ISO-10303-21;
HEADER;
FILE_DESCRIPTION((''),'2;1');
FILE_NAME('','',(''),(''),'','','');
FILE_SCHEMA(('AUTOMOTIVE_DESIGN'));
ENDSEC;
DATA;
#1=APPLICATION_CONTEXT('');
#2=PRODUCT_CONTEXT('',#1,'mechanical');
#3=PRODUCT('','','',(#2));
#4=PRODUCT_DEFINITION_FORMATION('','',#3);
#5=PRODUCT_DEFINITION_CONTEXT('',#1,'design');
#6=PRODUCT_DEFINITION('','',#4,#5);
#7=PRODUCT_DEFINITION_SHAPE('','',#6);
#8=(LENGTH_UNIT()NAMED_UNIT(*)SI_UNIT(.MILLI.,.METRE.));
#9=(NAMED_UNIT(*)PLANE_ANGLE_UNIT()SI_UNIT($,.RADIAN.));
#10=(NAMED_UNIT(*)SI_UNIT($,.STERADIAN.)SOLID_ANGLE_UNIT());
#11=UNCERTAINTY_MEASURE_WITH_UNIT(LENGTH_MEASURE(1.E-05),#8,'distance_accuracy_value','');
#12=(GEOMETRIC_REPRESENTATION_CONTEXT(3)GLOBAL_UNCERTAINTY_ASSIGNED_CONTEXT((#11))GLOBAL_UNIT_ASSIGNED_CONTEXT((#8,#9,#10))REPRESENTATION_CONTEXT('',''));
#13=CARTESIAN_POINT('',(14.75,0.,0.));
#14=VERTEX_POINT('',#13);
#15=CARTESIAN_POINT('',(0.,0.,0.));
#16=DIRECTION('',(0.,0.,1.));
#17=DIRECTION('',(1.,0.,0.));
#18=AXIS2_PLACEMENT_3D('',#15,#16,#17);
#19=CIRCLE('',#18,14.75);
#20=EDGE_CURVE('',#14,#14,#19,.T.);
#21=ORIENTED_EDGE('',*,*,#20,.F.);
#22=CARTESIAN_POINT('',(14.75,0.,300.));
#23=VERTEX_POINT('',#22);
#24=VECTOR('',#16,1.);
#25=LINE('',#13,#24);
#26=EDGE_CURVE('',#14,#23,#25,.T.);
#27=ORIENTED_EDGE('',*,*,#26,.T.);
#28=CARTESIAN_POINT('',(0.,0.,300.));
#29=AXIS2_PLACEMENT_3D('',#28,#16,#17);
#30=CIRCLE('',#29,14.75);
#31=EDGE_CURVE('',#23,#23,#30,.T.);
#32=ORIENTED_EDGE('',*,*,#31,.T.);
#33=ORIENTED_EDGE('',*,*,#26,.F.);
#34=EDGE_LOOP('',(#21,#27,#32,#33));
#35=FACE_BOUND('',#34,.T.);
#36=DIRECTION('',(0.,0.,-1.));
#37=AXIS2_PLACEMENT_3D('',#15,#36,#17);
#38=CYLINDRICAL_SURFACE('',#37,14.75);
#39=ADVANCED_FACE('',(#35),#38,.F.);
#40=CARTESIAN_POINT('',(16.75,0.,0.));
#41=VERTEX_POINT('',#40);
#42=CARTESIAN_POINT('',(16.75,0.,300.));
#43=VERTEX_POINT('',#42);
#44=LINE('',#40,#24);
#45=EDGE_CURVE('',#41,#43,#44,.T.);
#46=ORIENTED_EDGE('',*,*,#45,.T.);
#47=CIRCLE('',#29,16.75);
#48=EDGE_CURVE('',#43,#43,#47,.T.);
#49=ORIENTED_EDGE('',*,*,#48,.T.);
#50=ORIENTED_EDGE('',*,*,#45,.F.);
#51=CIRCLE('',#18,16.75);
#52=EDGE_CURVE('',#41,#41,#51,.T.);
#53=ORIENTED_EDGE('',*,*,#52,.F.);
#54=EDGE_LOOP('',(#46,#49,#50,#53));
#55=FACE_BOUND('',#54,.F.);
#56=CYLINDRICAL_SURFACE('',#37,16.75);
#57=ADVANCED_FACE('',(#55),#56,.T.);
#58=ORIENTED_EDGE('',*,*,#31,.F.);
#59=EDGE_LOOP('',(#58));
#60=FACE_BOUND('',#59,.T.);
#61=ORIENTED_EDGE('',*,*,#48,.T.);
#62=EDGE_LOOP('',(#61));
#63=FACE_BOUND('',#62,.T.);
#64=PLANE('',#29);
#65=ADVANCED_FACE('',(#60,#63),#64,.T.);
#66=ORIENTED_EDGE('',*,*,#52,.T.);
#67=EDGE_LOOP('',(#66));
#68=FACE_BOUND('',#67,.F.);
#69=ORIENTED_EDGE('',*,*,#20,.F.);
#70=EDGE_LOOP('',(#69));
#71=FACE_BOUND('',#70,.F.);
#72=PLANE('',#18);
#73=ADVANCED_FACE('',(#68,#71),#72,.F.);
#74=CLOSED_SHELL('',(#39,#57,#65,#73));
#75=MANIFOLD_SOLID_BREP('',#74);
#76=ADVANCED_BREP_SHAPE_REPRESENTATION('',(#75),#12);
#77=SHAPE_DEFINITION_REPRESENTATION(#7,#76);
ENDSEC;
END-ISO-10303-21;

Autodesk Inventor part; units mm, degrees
ref_plane "YZ Plane" through (0, 0, 0) normal (1, 0, 0) x (0, 1, 0)
ref_plane "XZ Plane" through (0, 0, 0) normal (0, 1, 0) x (-1, 0, 0)
ref_plane "XY Plane" through (0, 0, 0) normal (0, 0, 1) x (1, 0, 0)
sketch "Sketch1" plane through (0, 0, 0) normal (0, 0, 1) x (1, 0, 0)
  circle A0 centre (0, 0) radius 14.75
  circle A1 centre (0, 0) radius 16.75
  dimension "d1" = 2
  dimension "d4" = 33.5
extrude "Extrusion1" add sketch "Sketch1" along normal blind 300
properties part number "вал мешалки"
